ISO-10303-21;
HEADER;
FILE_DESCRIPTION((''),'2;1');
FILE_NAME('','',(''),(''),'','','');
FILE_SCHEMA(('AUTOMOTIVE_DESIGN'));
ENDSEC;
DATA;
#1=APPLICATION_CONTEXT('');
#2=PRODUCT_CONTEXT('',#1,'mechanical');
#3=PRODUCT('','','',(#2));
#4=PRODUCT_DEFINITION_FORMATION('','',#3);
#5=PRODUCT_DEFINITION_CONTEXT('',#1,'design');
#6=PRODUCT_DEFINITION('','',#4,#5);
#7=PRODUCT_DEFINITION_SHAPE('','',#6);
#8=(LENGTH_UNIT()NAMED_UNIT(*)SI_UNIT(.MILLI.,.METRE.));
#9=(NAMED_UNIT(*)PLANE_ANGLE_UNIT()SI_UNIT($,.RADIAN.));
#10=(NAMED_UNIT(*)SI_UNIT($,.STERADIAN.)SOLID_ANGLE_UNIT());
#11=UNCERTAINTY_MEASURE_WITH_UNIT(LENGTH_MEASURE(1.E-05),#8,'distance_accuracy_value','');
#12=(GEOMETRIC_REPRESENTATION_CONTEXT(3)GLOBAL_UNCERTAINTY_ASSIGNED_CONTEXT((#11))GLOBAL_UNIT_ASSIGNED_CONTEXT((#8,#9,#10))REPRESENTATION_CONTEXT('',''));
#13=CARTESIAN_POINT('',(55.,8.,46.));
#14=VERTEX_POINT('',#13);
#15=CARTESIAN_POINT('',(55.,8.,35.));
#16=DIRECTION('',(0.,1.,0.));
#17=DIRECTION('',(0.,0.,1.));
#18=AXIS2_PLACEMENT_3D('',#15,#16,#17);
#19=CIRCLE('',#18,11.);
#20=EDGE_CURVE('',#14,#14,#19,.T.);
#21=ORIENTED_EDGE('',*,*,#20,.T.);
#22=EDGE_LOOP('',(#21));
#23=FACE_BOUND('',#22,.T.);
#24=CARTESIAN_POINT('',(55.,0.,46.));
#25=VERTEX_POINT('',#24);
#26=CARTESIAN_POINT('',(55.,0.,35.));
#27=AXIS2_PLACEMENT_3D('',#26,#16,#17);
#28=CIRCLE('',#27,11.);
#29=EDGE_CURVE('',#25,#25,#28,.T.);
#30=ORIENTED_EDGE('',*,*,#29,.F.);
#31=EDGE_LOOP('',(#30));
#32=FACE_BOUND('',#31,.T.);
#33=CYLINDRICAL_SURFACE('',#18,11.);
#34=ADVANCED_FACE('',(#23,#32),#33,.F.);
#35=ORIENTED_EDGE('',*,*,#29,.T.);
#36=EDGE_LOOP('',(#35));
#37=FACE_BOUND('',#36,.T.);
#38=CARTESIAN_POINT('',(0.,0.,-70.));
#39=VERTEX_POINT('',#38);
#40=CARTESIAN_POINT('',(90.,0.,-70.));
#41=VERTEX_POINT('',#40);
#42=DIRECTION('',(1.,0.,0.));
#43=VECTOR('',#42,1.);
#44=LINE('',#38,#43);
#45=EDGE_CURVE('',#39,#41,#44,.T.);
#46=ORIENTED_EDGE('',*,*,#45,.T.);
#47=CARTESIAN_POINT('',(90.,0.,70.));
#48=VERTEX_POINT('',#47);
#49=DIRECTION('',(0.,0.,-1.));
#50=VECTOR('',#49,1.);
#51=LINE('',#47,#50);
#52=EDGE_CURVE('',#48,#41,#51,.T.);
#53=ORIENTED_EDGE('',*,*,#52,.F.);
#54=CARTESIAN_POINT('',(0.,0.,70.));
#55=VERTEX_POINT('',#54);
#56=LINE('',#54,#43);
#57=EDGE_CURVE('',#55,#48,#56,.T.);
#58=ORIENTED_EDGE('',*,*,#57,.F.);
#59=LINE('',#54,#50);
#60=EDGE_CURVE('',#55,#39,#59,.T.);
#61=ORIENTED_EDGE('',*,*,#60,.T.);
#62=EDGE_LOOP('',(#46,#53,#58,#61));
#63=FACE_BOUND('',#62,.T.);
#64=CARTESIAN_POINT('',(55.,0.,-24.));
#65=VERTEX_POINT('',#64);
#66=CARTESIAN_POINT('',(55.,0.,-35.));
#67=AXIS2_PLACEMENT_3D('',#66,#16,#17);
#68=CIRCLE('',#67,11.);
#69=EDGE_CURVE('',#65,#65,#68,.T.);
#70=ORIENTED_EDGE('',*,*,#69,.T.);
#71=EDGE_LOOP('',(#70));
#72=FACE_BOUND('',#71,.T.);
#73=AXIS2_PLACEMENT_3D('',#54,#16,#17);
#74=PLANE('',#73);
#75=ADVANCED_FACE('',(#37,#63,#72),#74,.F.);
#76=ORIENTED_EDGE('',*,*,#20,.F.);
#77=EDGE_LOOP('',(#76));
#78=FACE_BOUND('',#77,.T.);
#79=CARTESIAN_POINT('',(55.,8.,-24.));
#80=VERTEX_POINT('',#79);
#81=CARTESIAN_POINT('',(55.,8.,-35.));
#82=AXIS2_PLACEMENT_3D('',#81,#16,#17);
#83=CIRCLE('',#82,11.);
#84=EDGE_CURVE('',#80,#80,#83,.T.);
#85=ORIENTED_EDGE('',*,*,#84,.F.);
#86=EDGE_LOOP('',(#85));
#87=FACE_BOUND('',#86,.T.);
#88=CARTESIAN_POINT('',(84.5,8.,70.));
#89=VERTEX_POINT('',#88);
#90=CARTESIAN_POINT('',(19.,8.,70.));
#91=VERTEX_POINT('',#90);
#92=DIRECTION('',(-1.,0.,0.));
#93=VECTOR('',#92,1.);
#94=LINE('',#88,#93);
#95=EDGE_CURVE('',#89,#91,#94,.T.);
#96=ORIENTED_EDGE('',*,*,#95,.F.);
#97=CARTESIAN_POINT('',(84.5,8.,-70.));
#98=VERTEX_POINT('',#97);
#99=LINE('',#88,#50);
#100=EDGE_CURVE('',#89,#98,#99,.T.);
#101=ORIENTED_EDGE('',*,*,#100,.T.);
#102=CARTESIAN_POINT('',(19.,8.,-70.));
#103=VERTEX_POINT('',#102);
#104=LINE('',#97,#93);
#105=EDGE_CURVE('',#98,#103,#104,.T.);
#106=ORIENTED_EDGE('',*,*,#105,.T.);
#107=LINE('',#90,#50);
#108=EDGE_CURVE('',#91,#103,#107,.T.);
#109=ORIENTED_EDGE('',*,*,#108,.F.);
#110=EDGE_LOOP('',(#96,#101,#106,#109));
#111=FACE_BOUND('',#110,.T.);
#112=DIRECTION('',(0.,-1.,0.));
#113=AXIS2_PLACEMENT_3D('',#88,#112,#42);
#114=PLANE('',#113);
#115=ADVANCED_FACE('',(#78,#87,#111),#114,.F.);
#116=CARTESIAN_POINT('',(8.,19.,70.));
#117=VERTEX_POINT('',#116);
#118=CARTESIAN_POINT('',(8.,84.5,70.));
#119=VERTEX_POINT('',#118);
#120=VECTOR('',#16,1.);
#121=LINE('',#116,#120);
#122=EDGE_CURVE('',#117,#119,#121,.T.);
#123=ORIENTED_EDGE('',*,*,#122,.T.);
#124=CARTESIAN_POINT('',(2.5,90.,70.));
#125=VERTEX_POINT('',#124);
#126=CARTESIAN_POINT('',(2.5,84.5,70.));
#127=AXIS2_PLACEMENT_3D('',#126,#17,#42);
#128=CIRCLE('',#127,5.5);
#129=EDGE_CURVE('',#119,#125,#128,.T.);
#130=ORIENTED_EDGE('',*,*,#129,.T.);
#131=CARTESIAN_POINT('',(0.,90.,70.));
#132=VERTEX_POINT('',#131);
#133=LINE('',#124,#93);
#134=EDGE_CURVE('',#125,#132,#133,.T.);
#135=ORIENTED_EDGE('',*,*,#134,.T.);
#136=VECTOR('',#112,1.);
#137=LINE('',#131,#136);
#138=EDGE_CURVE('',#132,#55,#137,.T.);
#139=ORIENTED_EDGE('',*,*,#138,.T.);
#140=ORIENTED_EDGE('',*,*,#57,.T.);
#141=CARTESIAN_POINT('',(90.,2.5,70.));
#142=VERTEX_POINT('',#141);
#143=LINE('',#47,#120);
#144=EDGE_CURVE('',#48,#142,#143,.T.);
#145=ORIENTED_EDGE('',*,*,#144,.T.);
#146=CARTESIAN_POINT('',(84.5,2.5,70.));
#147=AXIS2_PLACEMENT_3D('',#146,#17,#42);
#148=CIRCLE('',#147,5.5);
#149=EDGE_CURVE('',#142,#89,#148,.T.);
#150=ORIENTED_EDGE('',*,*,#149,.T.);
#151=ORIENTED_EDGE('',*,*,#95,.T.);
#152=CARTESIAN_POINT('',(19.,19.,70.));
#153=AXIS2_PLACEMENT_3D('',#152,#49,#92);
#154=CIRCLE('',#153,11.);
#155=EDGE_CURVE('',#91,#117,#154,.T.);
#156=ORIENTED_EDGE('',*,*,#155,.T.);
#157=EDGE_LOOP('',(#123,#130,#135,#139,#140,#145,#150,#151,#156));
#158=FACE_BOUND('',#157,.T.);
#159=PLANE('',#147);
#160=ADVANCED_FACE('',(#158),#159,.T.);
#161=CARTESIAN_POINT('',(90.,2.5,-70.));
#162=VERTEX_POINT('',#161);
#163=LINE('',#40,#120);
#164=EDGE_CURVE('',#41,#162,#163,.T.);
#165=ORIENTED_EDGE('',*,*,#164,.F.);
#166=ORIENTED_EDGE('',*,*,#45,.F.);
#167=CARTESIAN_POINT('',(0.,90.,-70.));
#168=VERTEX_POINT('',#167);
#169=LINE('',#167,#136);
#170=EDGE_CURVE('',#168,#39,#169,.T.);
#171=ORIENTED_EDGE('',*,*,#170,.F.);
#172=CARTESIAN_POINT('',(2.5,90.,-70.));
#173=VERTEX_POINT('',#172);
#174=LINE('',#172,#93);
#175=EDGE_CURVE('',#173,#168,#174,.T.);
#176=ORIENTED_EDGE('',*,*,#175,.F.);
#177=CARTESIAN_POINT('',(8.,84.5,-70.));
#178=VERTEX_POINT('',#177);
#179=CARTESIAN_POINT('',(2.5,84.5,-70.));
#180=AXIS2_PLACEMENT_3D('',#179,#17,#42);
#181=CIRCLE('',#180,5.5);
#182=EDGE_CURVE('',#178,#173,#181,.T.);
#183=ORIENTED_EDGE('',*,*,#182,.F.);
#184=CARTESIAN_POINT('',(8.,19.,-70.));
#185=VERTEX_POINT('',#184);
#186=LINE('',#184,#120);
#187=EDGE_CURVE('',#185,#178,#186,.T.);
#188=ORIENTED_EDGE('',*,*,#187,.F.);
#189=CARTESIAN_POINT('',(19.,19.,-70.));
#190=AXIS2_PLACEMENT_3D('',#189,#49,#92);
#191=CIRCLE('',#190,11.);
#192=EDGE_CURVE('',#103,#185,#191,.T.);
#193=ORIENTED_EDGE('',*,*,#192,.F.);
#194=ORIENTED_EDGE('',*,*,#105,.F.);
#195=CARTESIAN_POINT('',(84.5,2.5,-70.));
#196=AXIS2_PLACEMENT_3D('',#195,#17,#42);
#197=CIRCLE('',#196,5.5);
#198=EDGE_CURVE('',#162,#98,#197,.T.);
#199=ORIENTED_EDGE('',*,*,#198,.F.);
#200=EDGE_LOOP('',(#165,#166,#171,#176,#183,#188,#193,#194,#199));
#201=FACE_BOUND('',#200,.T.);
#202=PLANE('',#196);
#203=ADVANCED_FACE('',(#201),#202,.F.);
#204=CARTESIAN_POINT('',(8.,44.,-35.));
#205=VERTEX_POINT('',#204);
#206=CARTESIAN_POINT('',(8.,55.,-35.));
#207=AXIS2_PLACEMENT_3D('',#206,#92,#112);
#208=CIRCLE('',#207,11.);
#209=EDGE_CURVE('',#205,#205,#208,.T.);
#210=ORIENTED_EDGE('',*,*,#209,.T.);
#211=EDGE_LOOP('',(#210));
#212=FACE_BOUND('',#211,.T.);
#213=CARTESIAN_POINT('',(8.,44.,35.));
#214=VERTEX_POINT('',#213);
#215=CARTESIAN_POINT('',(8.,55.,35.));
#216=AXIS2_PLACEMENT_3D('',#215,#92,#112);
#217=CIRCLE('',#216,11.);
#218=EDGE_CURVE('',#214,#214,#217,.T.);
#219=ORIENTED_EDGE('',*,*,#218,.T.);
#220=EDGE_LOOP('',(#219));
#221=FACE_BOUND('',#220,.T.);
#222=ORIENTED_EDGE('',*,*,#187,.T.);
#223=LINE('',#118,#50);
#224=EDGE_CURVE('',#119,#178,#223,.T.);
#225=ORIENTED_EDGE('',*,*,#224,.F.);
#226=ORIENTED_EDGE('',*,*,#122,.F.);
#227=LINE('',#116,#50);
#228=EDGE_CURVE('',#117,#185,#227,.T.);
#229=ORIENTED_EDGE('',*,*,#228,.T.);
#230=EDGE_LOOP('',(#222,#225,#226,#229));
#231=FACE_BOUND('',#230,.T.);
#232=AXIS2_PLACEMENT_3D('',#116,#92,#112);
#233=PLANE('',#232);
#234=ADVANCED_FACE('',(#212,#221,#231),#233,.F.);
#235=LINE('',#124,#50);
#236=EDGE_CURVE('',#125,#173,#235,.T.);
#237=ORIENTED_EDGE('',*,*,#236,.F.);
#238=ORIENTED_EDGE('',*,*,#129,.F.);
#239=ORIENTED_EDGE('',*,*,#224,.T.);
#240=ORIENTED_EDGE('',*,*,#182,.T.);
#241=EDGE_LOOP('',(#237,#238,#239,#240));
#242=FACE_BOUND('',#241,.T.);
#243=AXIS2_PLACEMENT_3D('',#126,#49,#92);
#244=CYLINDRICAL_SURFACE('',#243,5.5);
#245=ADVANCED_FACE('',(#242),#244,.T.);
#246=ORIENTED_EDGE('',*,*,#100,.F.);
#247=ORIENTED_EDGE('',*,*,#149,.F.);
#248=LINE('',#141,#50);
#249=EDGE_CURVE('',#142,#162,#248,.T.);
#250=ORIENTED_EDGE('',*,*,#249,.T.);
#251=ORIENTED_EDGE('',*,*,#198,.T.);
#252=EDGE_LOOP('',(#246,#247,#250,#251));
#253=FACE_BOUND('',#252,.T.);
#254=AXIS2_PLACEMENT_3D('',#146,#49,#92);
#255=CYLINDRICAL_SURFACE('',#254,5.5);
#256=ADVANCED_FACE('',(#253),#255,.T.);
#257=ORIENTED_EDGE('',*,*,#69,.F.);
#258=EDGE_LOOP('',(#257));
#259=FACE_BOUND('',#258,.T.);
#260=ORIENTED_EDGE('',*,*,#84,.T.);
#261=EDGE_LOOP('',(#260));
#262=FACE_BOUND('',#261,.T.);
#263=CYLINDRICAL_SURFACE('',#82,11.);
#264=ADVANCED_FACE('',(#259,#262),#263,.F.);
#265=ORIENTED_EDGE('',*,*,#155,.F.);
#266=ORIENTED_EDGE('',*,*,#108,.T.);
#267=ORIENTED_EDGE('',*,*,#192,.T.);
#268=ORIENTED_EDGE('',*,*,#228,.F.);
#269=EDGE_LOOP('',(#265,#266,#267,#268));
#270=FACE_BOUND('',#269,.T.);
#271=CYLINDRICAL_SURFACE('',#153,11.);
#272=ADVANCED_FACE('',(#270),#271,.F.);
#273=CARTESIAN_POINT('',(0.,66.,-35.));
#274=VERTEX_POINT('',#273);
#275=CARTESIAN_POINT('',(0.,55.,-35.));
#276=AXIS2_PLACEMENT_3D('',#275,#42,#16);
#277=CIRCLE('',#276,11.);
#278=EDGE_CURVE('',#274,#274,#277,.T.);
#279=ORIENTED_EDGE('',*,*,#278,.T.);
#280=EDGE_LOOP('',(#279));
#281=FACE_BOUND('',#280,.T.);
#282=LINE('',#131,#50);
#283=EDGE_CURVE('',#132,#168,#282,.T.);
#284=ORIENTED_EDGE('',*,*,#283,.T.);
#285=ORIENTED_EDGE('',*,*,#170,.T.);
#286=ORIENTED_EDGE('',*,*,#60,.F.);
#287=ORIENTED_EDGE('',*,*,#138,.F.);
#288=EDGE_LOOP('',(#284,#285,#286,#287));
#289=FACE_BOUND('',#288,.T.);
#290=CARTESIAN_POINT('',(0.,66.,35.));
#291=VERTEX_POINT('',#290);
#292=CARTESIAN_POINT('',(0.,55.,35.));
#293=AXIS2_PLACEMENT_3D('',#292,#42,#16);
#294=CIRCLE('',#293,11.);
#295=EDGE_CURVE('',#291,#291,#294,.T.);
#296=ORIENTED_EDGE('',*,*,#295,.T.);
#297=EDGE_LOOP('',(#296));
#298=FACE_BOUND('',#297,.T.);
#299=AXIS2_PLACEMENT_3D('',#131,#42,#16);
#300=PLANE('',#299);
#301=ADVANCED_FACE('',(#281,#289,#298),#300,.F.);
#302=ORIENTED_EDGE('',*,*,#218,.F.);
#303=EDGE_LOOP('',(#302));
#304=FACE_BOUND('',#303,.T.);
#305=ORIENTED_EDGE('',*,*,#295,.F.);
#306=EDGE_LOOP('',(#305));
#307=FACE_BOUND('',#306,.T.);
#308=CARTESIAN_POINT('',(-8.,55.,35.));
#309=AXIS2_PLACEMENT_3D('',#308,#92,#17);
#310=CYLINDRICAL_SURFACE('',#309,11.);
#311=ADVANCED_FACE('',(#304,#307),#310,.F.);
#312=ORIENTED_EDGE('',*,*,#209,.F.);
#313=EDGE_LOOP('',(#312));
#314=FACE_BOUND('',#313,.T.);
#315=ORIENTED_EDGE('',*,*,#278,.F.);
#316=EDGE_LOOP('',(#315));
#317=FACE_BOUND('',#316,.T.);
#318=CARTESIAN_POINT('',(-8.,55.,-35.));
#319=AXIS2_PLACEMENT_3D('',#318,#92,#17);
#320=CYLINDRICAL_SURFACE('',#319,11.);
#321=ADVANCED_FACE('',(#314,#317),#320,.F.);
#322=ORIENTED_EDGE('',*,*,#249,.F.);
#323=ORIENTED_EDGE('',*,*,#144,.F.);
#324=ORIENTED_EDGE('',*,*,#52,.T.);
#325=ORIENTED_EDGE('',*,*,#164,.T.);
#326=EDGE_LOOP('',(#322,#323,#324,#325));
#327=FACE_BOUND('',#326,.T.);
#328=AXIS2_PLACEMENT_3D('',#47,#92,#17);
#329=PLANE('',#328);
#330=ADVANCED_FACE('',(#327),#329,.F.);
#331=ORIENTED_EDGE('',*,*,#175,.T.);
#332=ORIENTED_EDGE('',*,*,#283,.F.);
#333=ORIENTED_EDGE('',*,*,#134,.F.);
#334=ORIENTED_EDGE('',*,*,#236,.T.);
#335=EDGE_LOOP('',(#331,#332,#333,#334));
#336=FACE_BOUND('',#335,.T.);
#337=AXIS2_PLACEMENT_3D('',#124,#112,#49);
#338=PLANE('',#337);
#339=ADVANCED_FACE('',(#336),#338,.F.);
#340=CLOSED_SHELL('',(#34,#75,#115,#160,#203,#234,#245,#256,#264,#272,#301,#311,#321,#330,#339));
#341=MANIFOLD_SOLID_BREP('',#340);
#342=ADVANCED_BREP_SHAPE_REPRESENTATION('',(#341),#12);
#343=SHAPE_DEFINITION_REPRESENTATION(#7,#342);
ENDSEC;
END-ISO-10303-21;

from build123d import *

# Parameters (mm, degrees)
BOSS_EXTRUDE1_DEPTH        = 70
F_22_0_22_DIAMETER_HOLE1_D = 22
LPATTERN1_COUNT            = 2
LPATTERN1_PITCH            = 70
CIRPATTERN1_COUNT          = 2
CIRPATTERN1_ANGLE          = 90
CIRPATTERN1_COPY_1_D       = 22


with BuildPart() as part:
    # Sketch1 → Boss-Extrude1 (new, symmetric)
    with BuildSketch(Plane.XY):
        with BuildLine():
            Line((0, 90), (0, 0))
            Line((0, 0), (90, 0))
            Line((90, 0), (90, 2.5))
            ThreePointArc((90, 2.5), (88.389087297, 6.389087297), (84.5, 8))
            Line((84.5, 8), (19, 8))
            ThreePointArc((19, 8), (11.221825407, 11.221825407), (8, 19))
            Line((8, 19), (8, 84.5))
            ThreePointArc((8, 84.5), (6.389087297, 88.389087297), (2.5, 90))
            Line((2.5, 90), (0, 90))
        make_face()
    extrude(amount=BOSS_EXTRUDE1_DEPTH, both=True)

    # Ø22.0 (22) Diameter Hole1 (through all)
    with Locations(Plane(origin=(0, 8, 0), x_dir=(1, 0, 0), z_dir=(0, 1, 0))):
        with Locations((55, -35)):
            f_22_0_22_diameter_hole1 = Hole(F_22_0_22_DIAMETER_HOLE1_D / 2)

    # LPattern1: Ø22.0 (22) Diameter Hole1 ×2
    with Locations(*[(0, 0, -i * LPATTERN1_PITCH) for i in range(1, LPATTERN1_COUNT)]):
        add(f_22_0_22_diameter_hole1, mode=Mode.SUBTRACT)

    # CirPattern1: Ø22.0 (22) Diameter Hole1 ×2 about axis
    cirpattern1_axis = Axis((0, 0, 55), (0, 0, 1))
    for i in range(1, CIRPATTERN1_COUNT):
        add(f_22_0_22_diameter_hole1.rotate(cirpattern1_axis, i * CIRPATTERN1_ANGLE / (CIRPATTERN1_COUNT - 1)), mode=Mode.SUBTRACT)

    # CirPattern1 copy 1 (through all)
    with Locations(Plane(origin=(-8, 0, -70), x_dir=(0, 1, 0), z_dir=(-1, 0, 0))):
        with Locations((55, -35)):
            Hole(CIRPATTERN1_COPY_1_D / 2)


solid = part.part
